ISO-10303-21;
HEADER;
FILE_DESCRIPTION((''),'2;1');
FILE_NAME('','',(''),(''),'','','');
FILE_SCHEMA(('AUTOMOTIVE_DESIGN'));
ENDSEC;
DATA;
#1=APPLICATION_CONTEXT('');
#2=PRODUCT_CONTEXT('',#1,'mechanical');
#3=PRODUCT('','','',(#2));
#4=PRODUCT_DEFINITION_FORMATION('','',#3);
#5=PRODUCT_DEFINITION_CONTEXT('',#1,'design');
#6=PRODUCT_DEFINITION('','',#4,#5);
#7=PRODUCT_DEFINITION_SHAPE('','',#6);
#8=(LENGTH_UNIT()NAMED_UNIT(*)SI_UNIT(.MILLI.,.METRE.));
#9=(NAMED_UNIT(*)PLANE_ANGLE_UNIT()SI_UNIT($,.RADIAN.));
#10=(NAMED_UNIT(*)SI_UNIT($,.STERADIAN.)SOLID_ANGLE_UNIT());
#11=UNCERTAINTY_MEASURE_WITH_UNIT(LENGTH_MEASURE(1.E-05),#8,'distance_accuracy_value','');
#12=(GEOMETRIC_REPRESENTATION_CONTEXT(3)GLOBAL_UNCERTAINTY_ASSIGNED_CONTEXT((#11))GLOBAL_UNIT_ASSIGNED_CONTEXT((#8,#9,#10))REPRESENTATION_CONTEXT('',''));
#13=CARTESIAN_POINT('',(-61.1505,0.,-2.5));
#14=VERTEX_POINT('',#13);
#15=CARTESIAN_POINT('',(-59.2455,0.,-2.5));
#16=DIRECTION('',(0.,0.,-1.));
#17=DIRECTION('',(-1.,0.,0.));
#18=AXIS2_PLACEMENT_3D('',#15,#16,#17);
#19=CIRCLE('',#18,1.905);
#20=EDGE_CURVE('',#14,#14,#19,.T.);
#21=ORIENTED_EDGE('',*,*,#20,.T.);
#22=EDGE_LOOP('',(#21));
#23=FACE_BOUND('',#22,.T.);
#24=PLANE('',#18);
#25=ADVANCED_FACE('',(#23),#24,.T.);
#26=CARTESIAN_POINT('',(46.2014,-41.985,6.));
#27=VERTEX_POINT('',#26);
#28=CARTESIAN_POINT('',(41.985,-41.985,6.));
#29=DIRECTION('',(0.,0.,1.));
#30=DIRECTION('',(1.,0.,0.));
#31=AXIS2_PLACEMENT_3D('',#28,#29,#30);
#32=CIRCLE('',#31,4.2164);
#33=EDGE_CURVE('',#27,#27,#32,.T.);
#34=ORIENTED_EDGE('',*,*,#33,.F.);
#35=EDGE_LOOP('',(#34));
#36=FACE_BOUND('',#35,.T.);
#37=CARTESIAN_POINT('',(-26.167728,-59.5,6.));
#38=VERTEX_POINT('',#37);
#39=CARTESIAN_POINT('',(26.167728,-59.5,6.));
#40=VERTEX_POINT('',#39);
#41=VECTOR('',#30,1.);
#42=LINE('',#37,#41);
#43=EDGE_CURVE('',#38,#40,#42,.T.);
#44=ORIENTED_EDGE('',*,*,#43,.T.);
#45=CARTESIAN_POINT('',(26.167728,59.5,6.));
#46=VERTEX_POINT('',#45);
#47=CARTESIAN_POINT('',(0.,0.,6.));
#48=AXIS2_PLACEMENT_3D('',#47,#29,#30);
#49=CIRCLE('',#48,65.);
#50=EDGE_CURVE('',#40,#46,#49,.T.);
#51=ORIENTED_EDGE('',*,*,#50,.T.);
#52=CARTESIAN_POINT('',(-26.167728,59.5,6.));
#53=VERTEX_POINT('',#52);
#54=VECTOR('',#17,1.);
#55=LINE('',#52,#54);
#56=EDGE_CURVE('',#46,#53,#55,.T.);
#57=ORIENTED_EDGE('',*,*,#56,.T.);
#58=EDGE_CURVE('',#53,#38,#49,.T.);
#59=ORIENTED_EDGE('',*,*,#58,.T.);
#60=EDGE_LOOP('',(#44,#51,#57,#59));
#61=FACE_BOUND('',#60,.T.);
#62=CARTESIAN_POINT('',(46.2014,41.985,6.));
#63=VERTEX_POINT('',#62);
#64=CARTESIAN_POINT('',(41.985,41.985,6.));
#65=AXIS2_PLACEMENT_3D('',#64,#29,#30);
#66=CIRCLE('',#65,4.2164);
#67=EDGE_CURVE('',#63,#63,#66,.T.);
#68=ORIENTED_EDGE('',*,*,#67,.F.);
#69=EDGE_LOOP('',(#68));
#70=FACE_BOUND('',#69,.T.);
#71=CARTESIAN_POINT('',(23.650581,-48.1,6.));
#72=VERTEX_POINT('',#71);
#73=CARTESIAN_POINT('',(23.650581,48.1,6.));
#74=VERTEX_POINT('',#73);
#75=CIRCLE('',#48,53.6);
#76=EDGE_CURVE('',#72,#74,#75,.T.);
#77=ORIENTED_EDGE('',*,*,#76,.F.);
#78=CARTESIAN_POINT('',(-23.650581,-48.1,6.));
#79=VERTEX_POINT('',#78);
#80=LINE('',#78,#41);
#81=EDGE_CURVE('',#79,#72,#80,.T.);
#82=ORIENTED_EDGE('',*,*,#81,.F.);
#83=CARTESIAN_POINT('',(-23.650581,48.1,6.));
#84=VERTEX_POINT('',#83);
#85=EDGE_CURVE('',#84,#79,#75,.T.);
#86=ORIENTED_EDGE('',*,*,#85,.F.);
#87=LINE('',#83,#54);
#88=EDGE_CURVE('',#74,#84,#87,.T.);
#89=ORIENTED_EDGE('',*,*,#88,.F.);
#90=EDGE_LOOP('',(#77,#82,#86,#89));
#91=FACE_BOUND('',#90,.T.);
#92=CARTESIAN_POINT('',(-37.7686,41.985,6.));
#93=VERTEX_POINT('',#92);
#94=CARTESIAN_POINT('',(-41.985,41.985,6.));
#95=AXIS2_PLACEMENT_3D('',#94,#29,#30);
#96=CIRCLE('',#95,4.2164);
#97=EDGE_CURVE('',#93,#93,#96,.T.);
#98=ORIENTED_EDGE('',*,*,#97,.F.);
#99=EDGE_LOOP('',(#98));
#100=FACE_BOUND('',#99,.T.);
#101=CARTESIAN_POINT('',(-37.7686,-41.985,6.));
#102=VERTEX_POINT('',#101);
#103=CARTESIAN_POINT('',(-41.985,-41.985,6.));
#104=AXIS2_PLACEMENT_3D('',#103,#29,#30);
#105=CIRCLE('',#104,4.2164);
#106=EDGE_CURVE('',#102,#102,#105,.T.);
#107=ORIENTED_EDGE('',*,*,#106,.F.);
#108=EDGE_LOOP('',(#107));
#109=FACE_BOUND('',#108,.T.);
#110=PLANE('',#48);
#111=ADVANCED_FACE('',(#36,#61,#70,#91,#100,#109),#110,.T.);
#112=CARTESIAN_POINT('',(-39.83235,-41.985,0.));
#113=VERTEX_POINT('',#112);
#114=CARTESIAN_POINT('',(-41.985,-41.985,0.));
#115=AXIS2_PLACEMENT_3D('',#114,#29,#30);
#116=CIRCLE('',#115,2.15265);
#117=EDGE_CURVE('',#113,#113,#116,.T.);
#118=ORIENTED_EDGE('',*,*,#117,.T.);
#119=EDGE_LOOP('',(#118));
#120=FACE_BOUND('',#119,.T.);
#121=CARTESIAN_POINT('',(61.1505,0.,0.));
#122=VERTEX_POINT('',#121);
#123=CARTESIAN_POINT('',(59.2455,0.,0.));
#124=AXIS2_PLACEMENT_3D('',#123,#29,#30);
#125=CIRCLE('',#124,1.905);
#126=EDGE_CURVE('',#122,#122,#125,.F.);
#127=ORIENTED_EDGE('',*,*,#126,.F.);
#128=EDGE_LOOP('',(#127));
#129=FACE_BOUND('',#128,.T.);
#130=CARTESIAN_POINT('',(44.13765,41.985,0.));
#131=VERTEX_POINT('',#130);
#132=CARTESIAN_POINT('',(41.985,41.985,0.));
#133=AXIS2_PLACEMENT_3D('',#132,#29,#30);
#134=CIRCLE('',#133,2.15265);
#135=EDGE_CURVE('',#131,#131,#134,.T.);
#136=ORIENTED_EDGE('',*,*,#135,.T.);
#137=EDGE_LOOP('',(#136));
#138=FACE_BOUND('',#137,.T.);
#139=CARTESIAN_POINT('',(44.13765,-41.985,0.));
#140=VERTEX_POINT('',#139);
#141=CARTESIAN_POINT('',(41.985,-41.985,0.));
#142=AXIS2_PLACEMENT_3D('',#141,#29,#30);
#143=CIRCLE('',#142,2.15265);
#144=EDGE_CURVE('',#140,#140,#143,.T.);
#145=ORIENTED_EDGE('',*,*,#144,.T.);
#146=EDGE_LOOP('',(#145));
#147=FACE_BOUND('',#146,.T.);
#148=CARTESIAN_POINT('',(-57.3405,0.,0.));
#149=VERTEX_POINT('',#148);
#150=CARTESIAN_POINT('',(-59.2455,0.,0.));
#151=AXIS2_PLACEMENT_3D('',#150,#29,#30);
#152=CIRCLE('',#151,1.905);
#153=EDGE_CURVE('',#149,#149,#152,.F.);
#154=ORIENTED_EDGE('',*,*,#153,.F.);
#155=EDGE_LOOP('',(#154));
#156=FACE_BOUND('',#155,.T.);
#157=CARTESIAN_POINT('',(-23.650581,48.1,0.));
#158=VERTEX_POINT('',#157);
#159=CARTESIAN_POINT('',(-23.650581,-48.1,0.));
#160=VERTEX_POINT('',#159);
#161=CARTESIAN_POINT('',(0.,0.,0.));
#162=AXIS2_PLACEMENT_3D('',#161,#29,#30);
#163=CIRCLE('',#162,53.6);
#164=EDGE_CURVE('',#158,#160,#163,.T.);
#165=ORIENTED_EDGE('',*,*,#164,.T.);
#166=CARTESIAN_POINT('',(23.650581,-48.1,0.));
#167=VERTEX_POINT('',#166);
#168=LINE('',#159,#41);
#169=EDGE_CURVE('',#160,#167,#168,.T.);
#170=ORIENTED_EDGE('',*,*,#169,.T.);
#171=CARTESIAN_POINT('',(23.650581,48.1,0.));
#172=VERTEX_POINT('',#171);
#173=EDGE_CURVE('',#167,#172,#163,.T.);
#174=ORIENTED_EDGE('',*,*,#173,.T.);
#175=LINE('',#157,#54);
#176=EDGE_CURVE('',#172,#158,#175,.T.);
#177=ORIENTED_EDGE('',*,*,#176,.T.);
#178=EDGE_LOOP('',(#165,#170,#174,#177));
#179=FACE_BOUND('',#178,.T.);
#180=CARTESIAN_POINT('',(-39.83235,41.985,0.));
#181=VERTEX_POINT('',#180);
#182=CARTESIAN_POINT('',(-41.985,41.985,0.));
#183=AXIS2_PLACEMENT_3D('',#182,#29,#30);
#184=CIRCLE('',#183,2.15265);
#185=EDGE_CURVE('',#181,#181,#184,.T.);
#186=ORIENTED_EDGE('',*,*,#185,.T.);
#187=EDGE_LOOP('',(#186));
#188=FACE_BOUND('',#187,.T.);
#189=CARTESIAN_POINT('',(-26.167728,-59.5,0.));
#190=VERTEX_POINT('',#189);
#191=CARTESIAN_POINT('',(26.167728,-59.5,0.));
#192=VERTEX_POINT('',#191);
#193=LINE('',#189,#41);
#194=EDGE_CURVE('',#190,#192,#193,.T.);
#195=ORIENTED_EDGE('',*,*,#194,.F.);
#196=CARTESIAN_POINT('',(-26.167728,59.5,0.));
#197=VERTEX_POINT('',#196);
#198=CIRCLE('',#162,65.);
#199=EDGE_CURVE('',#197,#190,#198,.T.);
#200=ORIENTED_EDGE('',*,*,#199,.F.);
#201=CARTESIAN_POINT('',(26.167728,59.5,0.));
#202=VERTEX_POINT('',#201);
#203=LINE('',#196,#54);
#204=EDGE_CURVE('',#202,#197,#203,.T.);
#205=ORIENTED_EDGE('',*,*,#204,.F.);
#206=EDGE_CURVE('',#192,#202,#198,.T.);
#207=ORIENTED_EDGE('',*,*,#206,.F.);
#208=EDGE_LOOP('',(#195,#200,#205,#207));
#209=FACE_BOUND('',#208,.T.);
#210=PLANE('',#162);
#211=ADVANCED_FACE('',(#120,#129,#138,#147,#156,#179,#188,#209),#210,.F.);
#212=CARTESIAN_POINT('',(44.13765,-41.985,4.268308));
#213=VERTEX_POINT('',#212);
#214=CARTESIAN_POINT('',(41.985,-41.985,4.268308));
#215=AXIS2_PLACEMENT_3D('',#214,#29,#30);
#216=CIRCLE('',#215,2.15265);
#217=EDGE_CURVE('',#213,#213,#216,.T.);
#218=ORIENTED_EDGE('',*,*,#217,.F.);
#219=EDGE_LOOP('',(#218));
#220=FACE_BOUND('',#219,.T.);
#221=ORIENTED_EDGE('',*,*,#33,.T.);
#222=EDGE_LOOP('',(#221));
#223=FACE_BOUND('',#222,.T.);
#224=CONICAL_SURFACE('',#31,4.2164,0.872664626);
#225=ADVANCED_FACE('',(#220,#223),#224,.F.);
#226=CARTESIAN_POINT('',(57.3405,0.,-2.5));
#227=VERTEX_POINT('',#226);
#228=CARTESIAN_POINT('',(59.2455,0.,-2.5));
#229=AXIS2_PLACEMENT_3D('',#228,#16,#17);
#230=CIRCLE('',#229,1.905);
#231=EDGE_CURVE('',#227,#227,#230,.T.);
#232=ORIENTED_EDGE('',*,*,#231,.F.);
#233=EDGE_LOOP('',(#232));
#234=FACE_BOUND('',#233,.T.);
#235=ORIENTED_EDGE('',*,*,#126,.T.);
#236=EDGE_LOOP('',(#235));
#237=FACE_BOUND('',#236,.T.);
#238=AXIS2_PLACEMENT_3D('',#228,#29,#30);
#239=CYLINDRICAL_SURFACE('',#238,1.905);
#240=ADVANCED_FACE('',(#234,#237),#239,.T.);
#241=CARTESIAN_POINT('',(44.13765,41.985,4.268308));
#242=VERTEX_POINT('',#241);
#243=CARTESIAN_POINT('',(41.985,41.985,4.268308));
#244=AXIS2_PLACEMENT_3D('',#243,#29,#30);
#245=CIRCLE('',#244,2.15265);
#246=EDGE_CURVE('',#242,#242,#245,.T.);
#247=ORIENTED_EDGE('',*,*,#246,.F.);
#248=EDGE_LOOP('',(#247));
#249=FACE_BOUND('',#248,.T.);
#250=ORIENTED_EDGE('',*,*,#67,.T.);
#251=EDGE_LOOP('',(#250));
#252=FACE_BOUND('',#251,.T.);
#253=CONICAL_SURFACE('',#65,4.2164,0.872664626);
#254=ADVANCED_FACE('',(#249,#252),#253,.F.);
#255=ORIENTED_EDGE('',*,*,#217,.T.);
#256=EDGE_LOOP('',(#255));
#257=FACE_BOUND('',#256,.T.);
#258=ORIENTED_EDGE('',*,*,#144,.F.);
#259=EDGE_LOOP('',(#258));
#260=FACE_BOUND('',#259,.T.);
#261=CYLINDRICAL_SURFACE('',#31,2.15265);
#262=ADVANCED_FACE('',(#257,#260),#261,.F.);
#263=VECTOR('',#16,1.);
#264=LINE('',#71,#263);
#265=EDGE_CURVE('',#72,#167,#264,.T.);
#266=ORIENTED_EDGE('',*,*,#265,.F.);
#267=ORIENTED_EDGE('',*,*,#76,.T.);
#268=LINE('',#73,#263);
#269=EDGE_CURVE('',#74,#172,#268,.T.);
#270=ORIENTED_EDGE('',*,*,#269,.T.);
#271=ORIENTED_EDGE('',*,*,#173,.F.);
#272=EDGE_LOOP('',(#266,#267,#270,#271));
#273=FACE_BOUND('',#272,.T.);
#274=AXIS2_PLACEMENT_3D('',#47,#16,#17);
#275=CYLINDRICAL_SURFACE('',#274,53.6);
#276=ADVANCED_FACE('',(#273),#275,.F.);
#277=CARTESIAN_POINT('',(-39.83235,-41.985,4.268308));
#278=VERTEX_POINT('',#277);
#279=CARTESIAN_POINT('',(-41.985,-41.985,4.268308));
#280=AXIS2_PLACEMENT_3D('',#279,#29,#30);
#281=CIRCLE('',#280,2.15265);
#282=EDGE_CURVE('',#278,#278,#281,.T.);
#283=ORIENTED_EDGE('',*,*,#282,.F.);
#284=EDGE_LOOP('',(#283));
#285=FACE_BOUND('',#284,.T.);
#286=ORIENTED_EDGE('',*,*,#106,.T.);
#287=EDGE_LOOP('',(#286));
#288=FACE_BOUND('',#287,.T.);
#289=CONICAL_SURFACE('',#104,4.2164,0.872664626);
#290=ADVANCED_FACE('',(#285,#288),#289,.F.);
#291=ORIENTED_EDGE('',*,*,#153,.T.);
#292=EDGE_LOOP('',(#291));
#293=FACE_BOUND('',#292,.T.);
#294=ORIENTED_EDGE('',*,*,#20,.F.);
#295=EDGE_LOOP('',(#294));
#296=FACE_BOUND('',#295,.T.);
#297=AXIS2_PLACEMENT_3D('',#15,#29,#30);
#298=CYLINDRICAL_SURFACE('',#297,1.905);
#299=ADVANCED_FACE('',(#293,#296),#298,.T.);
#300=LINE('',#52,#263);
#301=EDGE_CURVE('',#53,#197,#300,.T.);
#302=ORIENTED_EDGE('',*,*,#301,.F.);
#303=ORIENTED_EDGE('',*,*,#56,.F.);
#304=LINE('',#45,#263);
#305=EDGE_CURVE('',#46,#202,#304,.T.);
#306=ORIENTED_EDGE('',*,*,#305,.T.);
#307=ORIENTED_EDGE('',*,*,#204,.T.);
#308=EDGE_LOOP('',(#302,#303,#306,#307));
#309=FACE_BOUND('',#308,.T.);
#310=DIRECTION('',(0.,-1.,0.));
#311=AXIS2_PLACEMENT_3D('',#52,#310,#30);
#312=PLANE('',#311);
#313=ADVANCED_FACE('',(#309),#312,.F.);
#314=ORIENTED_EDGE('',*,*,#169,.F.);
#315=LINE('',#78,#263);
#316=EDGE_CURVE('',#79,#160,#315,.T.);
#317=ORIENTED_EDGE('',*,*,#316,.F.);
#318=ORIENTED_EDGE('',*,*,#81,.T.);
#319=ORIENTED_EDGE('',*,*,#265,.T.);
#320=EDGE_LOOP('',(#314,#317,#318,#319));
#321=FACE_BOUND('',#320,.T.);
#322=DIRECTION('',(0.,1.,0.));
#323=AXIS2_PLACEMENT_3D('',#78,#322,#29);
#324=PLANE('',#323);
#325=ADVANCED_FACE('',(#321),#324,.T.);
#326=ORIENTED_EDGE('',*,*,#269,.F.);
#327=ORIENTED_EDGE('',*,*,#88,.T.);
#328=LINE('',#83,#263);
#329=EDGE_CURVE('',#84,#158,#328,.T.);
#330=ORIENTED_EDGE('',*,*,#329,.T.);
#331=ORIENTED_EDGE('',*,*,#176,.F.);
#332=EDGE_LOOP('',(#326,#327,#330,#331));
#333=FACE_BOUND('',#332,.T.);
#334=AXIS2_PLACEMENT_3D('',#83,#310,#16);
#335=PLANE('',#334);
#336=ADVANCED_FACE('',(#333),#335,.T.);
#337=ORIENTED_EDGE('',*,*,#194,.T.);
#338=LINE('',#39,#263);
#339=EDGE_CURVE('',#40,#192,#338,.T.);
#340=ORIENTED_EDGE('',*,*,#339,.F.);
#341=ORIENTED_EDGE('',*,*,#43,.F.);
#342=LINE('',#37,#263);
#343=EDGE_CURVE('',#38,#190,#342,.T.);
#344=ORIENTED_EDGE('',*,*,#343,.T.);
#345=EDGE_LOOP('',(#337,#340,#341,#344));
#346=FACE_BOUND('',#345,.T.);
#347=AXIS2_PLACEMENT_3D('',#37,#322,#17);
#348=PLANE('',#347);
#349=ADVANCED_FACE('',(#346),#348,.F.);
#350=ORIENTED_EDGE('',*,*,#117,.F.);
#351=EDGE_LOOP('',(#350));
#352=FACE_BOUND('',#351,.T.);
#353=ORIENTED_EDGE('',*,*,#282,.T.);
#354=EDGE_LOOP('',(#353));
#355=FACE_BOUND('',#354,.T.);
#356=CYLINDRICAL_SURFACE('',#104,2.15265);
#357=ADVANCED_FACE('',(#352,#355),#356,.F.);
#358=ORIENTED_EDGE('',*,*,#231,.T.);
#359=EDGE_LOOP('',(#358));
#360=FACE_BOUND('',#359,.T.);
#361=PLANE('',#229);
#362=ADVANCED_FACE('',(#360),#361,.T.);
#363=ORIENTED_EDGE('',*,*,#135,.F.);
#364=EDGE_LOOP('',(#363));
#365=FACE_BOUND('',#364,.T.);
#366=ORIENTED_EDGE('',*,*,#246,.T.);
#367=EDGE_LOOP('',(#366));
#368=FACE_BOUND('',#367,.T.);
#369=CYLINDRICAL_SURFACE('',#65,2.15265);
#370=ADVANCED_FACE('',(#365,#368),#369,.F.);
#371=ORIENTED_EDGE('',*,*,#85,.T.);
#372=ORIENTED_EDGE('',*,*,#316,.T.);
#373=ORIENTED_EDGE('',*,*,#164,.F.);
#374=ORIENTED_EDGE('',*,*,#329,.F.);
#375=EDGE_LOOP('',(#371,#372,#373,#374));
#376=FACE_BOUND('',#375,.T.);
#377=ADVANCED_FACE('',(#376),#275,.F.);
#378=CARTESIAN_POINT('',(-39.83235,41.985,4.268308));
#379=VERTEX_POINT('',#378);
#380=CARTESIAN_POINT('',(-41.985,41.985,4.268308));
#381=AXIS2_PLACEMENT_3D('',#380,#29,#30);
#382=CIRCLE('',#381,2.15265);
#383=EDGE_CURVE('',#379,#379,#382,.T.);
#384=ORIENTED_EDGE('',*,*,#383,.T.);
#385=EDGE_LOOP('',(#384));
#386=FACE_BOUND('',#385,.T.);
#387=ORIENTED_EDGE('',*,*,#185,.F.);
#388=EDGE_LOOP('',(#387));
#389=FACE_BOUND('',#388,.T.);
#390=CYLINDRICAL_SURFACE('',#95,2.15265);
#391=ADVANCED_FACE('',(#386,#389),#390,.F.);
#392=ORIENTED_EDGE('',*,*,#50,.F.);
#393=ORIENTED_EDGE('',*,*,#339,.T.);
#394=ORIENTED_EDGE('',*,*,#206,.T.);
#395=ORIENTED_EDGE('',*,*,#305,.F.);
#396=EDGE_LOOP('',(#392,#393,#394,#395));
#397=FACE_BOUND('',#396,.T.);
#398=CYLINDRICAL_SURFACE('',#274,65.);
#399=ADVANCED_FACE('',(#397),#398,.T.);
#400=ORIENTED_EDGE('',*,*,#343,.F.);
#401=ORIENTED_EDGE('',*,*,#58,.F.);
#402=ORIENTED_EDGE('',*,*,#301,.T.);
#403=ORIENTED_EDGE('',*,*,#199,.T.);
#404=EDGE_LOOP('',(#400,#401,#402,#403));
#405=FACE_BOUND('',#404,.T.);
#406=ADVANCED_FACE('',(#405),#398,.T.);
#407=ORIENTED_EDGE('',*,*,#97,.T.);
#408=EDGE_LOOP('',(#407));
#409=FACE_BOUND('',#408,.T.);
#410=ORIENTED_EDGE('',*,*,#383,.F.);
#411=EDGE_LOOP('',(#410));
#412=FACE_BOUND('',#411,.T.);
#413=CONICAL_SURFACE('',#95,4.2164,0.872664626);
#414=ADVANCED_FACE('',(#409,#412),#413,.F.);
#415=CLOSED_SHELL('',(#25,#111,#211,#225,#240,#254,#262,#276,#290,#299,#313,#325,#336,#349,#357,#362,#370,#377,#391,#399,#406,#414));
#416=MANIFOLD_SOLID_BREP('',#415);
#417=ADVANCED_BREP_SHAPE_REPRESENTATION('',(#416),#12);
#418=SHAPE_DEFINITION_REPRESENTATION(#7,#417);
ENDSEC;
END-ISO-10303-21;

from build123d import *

# Parameters (mm, degrees)
BOSS_EXTRUDE1_DEPTH                               = 6
CSK_FOR_8_FLAT_HEAD_MACHINE_SCREW_100_D           = 4.3053
CSK_FOR_8_FLAT_HEAD_MACHINE_SCREW_100_CSINK_D     = 8.4328
CSK_FOR_8_FLAT_HEAD_MACHINE_SCREW_100_CSINK_ANGLE = 100
SKETCH5_R                                         = 1.905
BOSS_EXTRUDE2_DEPTH                               = 2.5


with BuildPart() as part:
    # Sketch1 → Boss-Extrude1 (new body)
    with BuildSketch(Plane.XY):
        with BuildLine():
            Line((-26.167728216, 59.5), (26.167728216, 59.5))
            ThreePointArc((26.167728216, 59.5), (65, 0), (26.167728216, -59.5))
            Line((26.167728216, -59.5), (-26.167728216, -59.5))
            ThreePointArc((-26.167728216, -59.5), (-65, 0), (-26.167728216, 59.5))
        make_face()
        with BuildLine():
            Line((-23.650581388, 48.1), (23.650581388, 48.1))
            ThreePointArc((23.650581388, 48.1), (53.6, 0), (23.650581388, -48.1))
            Line((23.650581388, -48.1), (-23.650581388, -48.1))
            ThreePointArc((-23.650581388, -48.1), (-53.6, 0), (-23.650581388, 48.1))
        make_face(mode=Mode.SUBTRACT)
    extrude(amount=BOSS_EXTRUDE1_DEPTH)

    # CSK for #8 Flat Head Machine Screw (100)1 (through all)
    with Locations(Plane.XY.offset(6)):
        with Locations((0, 0), (41.985, 41.985), (-41.985, -41.985), (-41.985, 41.985), (41.985, -41.985)):
            CounterSinkHole(CSK_FOR_8_FLAT_HEAD_MACHINE_SCREW_100_D / 2, CSK_FOR_8_FLAT_HEAD_MACHINE_SCREW_100_CSINK_D / 2, counter_sink_angle=CSK_FOR_8_FLAT_HEAD_MACHINE_SCREW_100_CSINK_ANGLE)

    # Sketch5 → Boss-Extrude2 (add)
    with BuildSketch(Plane(origin=(0, 0, 0), x_dir=(-1, 0, 0), z_dir=(0, 0, -1))):
        with Locations(Location((-59.2455, 0, 0), (0, 0, 180))):
            Circle(SKETCH5_R)
        with Locations(Location((59.2455, 0, 0), (0, 0, 180))):
            Circle(SKETCH5_R)
    extrude(amount=BOSS_EXTRUDE2_DEPTH)


solid = part.part
